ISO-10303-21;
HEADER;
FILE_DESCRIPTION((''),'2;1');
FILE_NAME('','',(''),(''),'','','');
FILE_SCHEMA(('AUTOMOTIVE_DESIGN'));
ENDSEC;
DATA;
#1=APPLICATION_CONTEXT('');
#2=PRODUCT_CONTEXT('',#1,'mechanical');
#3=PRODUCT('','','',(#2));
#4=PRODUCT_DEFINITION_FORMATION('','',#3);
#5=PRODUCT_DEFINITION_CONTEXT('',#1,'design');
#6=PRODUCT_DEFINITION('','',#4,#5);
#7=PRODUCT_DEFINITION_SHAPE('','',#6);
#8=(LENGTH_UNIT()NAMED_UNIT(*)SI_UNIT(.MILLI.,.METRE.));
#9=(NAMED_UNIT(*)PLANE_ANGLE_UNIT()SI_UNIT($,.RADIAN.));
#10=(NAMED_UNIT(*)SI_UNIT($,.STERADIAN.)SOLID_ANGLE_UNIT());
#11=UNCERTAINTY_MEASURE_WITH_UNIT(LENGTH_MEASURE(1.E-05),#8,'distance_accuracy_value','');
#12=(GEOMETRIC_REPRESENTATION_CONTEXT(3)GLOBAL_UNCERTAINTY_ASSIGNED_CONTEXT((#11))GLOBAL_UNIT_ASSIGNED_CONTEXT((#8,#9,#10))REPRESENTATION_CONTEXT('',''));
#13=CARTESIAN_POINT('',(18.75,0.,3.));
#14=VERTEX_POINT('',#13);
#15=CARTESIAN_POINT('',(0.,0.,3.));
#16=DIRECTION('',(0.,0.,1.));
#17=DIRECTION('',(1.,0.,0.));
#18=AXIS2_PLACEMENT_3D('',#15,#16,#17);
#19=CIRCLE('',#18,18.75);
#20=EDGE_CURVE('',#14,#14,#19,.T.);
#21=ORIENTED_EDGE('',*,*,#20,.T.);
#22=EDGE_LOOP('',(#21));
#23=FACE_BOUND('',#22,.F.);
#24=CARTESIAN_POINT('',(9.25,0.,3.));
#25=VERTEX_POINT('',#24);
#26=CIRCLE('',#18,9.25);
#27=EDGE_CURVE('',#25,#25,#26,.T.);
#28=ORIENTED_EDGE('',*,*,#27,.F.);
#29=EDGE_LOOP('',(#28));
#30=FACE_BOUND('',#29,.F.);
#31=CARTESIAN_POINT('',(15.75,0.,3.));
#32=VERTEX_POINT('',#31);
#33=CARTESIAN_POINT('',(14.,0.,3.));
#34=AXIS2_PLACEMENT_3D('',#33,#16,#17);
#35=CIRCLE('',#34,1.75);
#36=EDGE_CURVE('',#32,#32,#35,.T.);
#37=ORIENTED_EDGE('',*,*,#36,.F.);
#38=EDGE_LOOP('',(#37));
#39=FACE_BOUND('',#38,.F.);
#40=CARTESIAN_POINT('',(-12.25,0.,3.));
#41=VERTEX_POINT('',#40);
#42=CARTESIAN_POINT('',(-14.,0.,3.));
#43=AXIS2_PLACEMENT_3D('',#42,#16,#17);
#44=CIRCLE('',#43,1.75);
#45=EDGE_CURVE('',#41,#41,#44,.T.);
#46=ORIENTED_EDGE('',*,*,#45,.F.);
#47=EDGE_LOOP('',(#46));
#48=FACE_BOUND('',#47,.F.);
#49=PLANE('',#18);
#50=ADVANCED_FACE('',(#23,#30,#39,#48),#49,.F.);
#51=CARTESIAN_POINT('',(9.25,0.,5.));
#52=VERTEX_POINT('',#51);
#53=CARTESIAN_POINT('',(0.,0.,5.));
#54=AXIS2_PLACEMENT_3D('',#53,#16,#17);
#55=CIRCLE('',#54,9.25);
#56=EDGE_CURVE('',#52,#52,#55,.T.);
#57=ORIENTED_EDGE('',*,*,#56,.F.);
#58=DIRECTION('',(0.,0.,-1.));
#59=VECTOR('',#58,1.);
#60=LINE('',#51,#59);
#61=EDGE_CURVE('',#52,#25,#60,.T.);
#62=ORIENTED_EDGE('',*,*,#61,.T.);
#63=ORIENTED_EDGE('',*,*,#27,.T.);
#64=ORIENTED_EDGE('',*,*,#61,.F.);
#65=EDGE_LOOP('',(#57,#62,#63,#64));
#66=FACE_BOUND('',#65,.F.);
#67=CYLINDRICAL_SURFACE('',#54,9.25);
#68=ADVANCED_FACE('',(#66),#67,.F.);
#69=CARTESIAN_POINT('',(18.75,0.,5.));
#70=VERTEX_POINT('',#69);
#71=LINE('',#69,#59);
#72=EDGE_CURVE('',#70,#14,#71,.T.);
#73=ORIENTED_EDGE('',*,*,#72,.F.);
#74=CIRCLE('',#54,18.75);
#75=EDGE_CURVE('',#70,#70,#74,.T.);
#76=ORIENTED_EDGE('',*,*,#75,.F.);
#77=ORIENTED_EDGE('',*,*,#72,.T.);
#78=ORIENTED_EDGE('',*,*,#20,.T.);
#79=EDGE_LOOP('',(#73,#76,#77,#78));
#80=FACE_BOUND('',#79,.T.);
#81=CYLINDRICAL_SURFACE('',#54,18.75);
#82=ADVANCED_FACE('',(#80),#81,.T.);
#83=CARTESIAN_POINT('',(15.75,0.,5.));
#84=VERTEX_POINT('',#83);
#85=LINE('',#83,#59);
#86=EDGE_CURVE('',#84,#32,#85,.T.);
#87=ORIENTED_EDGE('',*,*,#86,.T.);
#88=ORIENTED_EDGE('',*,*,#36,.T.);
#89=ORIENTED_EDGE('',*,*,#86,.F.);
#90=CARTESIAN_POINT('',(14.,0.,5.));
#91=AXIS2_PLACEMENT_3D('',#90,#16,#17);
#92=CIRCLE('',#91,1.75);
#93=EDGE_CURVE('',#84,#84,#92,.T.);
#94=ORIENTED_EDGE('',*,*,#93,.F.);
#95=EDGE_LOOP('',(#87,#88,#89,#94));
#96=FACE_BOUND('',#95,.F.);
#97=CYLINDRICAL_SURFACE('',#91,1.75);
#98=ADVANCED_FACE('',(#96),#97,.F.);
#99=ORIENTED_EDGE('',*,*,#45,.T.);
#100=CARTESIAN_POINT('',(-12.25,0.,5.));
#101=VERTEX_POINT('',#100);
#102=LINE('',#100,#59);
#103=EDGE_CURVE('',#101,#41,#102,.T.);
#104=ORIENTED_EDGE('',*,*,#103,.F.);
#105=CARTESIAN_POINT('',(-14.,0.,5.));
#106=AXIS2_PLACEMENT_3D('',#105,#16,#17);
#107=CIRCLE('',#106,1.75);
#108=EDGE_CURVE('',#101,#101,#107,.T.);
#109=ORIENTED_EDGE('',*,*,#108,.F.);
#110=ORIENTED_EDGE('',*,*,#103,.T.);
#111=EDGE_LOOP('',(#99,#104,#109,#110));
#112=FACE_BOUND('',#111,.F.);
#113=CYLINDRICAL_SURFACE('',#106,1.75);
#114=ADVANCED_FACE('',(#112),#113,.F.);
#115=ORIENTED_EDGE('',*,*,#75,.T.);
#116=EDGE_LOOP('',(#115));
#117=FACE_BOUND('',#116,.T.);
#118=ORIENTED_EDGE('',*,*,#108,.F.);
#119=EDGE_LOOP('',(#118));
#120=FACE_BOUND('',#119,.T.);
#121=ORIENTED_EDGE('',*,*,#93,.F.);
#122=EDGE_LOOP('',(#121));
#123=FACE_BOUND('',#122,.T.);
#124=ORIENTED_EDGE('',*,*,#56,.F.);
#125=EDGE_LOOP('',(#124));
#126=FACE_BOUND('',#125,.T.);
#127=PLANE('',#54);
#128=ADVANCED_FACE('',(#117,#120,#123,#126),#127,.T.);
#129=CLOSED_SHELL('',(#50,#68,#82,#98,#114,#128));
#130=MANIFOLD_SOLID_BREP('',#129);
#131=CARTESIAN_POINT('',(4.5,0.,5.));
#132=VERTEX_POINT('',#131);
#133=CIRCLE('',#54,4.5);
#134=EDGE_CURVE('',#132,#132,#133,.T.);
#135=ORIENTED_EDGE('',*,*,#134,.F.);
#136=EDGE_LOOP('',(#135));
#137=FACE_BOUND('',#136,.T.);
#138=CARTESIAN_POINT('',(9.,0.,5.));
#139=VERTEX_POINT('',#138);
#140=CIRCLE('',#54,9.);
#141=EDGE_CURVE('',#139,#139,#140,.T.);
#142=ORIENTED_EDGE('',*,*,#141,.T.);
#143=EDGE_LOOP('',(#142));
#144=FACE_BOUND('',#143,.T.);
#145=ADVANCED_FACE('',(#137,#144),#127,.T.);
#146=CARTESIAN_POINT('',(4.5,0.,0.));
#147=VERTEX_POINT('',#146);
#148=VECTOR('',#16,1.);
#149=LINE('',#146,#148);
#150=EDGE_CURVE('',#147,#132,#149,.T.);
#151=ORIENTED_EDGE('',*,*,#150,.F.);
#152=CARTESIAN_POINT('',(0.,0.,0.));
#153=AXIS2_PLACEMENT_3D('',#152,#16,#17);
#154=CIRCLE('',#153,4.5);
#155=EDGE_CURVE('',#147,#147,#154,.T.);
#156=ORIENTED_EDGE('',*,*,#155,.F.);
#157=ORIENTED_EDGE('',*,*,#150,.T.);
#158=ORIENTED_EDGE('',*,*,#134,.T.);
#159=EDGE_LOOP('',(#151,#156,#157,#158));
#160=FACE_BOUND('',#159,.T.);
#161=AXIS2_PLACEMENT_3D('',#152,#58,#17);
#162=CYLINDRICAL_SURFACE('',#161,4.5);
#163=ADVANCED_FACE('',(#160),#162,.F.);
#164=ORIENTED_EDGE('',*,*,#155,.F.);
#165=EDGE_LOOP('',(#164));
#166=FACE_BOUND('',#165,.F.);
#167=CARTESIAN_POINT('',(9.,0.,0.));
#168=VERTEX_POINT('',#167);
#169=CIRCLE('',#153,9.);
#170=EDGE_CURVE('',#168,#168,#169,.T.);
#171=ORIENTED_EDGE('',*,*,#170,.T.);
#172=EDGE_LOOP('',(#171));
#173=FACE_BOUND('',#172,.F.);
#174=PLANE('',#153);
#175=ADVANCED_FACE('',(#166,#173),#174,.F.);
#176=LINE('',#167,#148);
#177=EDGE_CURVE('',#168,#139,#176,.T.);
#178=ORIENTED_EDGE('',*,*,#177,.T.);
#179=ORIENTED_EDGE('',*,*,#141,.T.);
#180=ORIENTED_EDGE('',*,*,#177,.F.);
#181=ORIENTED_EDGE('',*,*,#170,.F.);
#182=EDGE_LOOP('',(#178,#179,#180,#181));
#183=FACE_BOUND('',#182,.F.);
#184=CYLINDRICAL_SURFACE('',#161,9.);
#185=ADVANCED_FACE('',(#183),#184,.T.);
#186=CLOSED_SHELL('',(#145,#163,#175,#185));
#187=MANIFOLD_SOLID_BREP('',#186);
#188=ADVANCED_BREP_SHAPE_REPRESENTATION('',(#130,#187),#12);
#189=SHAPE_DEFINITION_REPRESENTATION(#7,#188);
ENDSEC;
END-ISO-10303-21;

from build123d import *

# Parameters (mm, degrees)
F0_R     = 9
F0_R_2   = 4.5
F1_DEPTH = 5
F2_R     = 18.75
F2_R_2   = 1.75
F2_R_3   = 9.25
F3_DEPTH = 2


with BuildPart() as f1:
    # F0 (on Top) → F1 (new body)
    with BuildSketch(Plane.XY):
        Circle(F0_R)
        Circle(F0_R_2, mode=Mode.SUBTRACT)
    extrude(amount=F1_DEPTH)


with BuildPart() as f3:
    # F2 (on face) → F3 (new body)
    with BuildSketch(Plane.XY.offset(5)):
        Circle(F2_R)
        with Locations((-14, 0)):
            Circle(F2_R_2, mode=Mode.SUBTRACT)
        Circle(F2_R_3, mode=Mode.SUBTRACT)
        with Locations((14, 0)):
            Circle(F2_R_2, mode=Mode.SUBTRACT)
    extrude(amount=-F3_DEPTH)


solid = Compound([f1.part, f3.part])
